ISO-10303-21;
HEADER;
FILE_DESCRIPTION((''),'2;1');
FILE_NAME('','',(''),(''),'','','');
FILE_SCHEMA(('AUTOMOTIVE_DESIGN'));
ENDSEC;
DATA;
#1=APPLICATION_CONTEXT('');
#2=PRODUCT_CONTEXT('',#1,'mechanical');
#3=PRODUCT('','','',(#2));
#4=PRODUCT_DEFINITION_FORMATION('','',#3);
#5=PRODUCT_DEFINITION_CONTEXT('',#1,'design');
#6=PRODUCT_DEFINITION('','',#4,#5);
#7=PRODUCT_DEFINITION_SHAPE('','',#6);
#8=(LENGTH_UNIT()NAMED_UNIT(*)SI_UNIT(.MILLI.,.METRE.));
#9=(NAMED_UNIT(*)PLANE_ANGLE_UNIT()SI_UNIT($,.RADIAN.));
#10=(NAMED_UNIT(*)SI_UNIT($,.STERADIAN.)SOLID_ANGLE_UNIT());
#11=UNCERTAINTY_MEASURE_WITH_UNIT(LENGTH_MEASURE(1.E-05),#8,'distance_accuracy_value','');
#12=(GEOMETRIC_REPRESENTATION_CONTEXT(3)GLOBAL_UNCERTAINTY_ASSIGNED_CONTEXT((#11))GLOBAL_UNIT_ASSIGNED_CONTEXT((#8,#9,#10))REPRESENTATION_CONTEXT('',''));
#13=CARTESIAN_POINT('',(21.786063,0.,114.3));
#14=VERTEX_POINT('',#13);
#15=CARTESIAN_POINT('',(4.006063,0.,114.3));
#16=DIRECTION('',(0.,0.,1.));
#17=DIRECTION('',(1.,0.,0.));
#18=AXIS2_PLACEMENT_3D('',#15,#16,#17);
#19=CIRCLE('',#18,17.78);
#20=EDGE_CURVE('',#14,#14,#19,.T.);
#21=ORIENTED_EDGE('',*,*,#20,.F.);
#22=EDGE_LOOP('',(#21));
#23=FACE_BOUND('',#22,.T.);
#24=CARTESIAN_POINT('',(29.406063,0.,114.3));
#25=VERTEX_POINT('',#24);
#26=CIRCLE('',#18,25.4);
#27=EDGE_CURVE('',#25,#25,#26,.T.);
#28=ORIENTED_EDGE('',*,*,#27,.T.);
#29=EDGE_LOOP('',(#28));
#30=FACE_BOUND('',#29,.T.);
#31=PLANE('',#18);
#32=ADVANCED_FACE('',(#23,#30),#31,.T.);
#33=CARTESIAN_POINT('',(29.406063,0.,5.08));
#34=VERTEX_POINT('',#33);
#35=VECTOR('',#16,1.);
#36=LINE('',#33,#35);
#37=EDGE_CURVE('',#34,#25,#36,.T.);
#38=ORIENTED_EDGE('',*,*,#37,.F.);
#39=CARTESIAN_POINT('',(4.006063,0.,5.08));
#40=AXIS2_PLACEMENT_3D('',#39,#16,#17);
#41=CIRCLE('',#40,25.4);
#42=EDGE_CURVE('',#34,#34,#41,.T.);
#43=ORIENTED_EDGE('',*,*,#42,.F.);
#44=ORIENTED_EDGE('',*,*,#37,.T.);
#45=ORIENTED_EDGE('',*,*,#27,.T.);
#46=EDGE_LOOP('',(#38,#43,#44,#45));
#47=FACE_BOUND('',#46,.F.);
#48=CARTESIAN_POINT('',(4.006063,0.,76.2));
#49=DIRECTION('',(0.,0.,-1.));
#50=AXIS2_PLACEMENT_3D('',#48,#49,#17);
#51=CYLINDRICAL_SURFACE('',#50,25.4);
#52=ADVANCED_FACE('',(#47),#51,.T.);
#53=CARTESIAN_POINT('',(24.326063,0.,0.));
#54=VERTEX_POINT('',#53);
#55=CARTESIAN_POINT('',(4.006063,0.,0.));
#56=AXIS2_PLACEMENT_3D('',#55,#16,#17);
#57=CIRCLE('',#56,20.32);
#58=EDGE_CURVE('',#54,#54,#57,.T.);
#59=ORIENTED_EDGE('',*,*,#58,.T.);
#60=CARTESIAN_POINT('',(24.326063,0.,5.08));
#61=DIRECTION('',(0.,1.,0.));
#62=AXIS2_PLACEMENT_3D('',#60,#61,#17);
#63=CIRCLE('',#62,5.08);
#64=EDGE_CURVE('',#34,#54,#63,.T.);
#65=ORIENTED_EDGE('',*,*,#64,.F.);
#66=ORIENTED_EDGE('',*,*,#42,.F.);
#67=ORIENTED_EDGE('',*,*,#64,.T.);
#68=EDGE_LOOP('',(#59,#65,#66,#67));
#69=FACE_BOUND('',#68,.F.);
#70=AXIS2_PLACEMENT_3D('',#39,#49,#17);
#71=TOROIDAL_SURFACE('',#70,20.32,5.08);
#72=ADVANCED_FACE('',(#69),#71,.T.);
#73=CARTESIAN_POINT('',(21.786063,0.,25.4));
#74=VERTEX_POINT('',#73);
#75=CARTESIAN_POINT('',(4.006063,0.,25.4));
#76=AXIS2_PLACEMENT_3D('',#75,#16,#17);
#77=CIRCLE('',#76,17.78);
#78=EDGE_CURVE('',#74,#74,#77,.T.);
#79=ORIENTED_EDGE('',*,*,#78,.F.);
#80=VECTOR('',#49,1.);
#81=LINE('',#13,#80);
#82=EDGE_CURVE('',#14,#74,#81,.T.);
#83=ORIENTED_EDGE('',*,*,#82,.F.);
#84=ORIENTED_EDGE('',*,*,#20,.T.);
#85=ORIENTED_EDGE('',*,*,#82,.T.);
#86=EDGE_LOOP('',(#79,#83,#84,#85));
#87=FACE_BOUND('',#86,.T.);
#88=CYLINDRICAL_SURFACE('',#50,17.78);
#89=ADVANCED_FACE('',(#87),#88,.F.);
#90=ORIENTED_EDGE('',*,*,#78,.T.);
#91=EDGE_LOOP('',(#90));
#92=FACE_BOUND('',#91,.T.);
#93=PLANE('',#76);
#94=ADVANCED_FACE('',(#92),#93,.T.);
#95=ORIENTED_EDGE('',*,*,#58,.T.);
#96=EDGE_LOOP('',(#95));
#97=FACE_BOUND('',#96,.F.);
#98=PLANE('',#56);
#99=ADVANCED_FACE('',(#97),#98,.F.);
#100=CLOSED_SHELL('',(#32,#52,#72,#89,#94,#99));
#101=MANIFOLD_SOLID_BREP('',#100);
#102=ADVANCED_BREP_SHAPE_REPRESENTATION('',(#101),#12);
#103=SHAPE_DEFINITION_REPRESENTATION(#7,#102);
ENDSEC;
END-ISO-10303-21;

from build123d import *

# Parameters (mm, degrees)
F0_R     = 25.4
F1_DEPTH = 76.2
F2_R     = 5.08
F3_R     = 17.78
F4_DEPTH = 50.8
F5_DEPTH = 38.1


with BuildPart() as f1:
    # F0 (on Top) → F1 (new body)
    with BuildSketch(Plane.XY):
        with Locations((4.0060626761, 0)):
            Circle(F0_R)
    extrude(amount=F1_DEPTH)

    # F2
    f2_edges = [f1.edges().sort_by_distance(p)[0] for p in [
        (-21.393937, 0, 0),
    ]]
    fillet(f2_edges, radius=F2_R)

    # F3 (on face) → F4 (cut)
    with BuildSketch(Plane.XY.offset(76.2)):
        with Locations((4.0060626761, 0)):
            Circle(F3_R)
    extrude(amount=-F4_DEPTH, mode=Mode.SUBTRACT)

    # F5 (add): a face of the model
    f5_faces = [f1.faces().sort_by_distance(p)[0] for p in [
        (-20.6755168342, 0, 76.2),
    ]]
    extrude(f5_faces, amount=F5_DEPTH)


solid = f1.part
